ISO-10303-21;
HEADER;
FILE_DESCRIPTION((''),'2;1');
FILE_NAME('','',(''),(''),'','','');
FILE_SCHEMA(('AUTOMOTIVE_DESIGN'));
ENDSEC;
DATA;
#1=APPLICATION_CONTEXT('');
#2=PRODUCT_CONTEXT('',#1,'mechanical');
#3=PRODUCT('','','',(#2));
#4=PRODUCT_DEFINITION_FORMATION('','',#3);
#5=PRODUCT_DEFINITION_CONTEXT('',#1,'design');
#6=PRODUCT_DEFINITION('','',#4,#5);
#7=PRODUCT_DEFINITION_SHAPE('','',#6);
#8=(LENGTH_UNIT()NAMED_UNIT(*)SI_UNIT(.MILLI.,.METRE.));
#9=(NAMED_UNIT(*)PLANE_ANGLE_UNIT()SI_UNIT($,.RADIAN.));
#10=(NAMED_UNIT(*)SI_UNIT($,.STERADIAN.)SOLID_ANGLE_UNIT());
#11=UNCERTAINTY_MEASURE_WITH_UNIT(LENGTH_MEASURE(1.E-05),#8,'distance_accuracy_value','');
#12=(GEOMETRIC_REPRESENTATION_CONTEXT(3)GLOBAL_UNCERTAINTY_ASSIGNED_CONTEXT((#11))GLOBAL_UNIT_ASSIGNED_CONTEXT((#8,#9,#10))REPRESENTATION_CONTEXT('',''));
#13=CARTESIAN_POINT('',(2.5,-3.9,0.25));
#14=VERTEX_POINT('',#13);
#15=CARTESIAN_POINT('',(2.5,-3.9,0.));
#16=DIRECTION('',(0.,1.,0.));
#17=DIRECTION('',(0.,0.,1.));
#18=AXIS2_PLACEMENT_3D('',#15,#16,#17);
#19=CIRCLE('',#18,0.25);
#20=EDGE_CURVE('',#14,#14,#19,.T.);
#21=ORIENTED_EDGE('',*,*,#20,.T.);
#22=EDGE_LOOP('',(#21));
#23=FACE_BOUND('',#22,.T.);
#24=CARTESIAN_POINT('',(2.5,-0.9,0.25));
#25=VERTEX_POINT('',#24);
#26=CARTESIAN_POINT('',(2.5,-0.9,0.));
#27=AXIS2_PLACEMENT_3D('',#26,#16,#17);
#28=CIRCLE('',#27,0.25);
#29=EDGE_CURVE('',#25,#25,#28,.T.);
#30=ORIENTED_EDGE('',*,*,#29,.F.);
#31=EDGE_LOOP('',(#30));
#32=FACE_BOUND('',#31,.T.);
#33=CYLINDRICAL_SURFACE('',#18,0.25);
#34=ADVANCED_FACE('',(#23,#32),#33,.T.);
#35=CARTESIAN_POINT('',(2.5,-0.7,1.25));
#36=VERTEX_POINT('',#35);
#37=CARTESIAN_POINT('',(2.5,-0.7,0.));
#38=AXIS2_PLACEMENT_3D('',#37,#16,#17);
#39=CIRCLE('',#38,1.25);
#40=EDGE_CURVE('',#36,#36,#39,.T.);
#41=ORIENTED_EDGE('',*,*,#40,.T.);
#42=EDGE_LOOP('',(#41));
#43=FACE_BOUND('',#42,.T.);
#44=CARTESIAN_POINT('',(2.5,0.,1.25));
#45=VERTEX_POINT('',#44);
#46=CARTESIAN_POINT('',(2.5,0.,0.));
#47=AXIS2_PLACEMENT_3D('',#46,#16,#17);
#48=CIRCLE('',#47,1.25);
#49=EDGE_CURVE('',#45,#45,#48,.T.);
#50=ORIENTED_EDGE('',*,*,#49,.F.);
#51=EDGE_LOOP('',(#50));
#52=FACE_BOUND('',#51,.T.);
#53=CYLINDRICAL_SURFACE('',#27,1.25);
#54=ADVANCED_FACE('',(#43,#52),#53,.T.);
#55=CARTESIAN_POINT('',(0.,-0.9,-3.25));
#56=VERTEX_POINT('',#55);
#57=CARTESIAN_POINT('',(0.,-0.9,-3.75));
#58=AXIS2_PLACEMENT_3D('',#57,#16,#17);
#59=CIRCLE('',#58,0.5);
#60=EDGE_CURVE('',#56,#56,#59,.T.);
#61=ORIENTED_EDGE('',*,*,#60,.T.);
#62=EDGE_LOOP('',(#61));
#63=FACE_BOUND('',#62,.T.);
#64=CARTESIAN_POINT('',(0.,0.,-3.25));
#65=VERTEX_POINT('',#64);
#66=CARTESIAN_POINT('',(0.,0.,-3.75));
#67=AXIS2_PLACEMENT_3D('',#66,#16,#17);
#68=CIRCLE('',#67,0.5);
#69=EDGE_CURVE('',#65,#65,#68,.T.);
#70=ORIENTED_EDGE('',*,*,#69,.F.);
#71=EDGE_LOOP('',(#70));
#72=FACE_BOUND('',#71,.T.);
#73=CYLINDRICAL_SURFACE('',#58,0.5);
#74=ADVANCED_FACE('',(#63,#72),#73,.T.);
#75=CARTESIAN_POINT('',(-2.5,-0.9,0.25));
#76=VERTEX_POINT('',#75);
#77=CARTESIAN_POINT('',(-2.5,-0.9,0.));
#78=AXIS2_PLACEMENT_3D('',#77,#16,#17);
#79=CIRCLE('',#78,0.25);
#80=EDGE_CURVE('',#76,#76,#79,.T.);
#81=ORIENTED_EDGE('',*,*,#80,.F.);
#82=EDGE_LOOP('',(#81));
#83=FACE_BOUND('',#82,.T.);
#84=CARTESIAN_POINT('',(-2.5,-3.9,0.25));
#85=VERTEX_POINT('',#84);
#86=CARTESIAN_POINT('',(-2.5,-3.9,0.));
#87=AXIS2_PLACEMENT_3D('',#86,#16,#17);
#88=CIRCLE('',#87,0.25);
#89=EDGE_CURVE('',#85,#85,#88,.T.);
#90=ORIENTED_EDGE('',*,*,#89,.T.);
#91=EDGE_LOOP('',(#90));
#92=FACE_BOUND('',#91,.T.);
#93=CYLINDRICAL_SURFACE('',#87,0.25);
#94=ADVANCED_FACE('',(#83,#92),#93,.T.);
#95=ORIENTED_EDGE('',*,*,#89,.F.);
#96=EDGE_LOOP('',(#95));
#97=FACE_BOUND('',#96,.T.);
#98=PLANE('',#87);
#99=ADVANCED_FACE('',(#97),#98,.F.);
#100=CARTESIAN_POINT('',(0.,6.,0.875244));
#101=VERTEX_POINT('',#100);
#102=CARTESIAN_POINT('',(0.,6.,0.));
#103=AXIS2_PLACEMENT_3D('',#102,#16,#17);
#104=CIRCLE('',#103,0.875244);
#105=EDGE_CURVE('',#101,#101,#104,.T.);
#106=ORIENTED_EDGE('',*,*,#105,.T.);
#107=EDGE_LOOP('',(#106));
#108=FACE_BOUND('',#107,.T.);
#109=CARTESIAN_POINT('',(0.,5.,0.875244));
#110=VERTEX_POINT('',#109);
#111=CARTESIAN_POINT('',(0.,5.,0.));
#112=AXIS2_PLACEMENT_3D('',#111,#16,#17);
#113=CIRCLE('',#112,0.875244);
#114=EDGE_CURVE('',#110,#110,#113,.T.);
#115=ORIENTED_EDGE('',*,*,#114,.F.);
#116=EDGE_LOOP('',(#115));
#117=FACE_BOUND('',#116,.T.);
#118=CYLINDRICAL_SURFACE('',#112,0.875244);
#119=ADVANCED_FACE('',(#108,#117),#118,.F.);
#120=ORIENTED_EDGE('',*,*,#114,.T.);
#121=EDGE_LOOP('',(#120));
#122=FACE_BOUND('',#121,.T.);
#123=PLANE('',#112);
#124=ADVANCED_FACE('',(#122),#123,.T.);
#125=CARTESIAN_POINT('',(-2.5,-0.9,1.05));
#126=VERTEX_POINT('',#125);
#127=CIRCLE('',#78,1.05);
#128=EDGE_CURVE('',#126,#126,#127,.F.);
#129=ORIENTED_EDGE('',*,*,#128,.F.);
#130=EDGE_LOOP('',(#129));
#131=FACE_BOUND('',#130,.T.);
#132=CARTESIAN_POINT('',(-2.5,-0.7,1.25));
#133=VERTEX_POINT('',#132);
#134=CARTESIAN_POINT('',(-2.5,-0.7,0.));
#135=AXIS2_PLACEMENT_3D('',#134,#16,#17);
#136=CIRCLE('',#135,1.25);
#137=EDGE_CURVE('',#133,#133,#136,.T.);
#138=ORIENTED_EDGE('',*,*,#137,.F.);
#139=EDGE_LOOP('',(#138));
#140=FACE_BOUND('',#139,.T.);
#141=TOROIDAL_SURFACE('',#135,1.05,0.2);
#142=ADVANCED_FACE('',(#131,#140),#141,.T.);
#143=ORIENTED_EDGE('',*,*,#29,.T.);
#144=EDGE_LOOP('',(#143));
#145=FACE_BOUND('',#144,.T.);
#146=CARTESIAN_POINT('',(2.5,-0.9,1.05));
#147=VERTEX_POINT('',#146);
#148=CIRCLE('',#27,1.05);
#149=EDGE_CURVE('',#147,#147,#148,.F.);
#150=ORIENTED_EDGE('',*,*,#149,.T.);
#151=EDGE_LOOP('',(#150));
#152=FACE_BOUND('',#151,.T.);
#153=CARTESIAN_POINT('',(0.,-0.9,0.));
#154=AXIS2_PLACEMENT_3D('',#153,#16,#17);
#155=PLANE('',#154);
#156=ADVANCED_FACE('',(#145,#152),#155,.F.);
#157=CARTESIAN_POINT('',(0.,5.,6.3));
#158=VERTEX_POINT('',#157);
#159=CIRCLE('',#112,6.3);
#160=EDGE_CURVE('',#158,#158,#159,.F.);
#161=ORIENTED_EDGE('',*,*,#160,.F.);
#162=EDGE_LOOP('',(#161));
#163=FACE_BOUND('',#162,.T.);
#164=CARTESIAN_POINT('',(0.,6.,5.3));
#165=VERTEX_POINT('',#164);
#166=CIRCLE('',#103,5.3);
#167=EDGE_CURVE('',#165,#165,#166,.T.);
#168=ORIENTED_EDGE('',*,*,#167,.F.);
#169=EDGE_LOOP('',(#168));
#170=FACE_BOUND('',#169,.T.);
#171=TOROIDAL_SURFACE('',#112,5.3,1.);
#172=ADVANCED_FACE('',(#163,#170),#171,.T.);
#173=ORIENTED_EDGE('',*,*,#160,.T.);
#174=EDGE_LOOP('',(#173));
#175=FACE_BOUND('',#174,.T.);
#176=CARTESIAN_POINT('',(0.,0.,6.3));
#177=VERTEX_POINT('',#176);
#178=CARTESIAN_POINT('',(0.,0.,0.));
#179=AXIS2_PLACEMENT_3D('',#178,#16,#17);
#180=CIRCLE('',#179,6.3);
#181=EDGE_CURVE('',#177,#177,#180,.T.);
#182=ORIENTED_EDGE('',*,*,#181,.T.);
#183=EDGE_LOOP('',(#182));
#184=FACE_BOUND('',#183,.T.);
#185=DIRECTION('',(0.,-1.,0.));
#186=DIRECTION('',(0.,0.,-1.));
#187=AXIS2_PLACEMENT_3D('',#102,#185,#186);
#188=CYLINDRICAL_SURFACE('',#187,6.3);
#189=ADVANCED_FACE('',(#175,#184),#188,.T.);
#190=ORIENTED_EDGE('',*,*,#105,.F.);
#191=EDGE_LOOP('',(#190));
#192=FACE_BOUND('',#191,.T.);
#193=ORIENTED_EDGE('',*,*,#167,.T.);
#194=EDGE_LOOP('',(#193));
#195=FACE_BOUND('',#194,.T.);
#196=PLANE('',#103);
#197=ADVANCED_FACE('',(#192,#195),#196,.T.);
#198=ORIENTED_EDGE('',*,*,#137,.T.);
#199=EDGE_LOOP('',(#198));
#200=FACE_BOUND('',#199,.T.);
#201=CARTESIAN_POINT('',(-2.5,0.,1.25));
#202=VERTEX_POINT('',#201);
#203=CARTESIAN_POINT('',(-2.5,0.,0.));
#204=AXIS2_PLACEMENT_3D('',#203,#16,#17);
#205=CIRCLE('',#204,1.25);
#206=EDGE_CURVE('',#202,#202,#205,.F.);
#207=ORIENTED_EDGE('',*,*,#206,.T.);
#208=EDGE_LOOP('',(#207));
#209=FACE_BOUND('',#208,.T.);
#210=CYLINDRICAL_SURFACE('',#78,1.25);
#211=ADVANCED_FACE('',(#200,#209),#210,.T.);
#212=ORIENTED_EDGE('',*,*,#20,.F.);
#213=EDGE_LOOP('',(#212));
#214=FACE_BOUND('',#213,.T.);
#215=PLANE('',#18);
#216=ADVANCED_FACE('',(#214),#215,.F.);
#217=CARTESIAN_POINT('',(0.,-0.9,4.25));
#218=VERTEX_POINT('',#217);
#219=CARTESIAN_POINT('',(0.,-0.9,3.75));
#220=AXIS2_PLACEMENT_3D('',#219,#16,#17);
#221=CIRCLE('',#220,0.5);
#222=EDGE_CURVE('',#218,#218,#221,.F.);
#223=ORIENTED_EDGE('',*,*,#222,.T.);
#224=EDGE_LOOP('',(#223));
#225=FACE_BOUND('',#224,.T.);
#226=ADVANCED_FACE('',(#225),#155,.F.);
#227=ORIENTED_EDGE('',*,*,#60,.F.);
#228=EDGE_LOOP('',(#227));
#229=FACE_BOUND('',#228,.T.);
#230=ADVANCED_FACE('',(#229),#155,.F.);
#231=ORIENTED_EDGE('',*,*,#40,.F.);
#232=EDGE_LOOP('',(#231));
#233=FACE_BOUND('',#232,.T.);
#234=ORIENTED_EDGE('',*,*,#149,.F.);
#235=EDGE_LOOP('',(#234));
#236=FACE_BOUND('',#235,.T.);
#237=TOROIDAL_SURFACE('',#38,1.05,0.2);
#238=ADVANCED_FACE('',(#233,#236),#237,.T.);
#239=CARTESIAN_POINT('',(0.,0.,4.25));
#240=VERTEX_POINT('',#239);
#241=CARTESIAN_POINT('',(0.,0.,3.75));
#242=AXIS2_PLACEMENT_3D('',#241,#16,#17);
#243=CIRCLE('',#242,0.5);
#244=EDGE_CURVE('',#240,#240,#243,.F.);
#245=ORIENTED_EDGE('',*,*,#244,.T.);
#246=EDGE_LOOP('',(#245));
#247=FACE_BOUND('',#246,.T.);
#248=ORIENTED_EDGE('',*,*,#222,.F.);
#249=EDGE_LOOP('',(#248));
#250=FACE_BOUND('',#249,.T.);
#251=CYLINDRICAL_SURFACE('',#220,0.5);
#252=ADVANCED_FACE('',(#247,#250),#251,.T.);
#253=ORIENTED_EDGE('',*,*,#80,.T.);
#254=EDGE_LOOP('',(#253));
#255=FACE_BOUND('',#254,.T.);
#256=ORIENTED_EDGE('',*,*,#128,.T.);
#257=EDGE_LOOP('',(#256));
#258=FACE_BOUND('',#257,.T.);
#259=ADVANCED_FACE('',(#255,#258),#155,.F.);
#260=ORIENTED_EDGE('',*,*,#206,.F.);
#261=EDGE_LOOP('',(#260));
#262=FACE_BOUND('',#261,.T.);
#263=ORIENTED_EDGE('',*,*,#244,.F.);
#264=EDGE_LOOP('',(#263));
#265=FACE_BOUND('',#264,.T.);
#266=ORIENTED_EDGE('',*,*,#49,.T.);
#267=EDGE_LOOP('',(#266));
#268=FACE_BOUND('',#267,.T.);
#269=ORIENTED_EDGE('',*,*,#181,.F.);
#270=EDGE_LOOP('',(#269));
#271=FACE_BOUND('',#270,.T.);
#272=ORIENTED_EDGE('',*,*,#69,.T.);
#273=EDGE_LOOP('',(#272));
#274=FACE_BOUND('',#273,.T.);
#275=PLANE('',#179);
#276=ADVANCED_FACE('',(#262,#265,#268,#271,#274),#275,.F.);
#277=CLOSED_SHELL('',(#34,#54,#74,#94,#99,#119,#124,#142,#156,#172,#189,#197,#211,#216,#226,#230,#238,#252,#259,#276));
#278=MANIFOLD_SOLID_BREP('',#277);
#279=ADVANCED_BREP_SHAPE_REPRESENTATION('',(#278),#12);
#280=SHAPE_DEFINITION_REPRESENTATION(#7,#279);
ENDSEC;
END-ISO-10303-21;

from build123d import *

# Parameters (mm, degrees)
SKETCH_1_R          = 6.3
SKETCH_1_R_2        = 1.25
SKETCH_1_R_3        = 0.5
SKETCH_1_R_4        = 0.25
SKETCH_1_R_5        = 0.875244423
EXTRUDE_1_DEPTH     = 6
FILLET_1_R          = 1
CUT_EXTRUDE_START   = 6
SKETCH_1_3_R        = 0.875244423
CUT_EXTRUDE_1_DEPTH = 1
SKETCH_1_4_R        = 1.25
SKETCH_1_4_R_2      = 0.25
SKETCH_1_4_R_3      = 0.5
EXTRUDE_2_DEPTH     = 0.9
FILLET_2_R          = 0.2
EXTRUDE_START       = -0.9
SKETCH_1_5_R        = 0.25
EXTRUDE_3_DEPTH     = 3


with BuildPart() as part:
    # Эскиз1 → Бобышка-Вытянуть1 (new body)
    # profile 1 of 8: a face of its own
    with BuildSketch(Plane(origin=(0, 0, 0), x_dir=(1, 0, 0), z_dir=(0, 1, 0))):
        with Locations(Location((0, 0, 0), (0, 0, 270))):
            Circle(SKETCH_1_R)
        with Locations((-2.5, 0)):
            Circle(SKETCH_1_R_2, mode=Mode.SUBTRACT)
        with Locations((2.5, 0)):
            Circle(SKETCH_1_R_2, mode=Mode.SUBTRACT)
        with Locations((0, 3.75)):
            Circle(SKETCH_1_R_3, mode=Mode.SUBTRACT)
        with Locations((0, -3.75)):
            Circle(SKETCH_1_R_3, mode=Mode.SUBTRACT)
    # profile 2 of 8: a face of its own
    with BuildSketch(Plane(origin=(0, 0, 0), x_dir=(1, 0, 0), z_dir=(0, 1, 0))):
        with Locations((-2.5, 0)):
            Circle(SKETCH_1_R_2)
        with Locations((-2.5, 0)):
            Circle(SKETCH_1_R_4, mode=Mode.SUBTRACT)
    # profile 3 of 8: a face of its own
    with BuildSketch(Plane(origin=(0, 0, 0), x_dir=(1, 0, 0), z_dir=(0, 1, 0))):
        with Locations((-2.5, 0)):
            Circle(SKETCH_1_R_4)
    # profile 4 of 8: a face of its own
    with BuildSketch(Plane(origin=(0, 0, 0), x_dir=(1, 0, 0), z_dir=(0, 1, 0))):
        with Locations((2.5, 0)):
            Circle(SKETCH_1_R_2)
        with Locations((2.5, 0)):
            Circle(SKETCH_1_R_4, mode=Mode.SUBTRACT)
    # profile 5 of 8: a face of its own
    with BuildSketch(Plane(origin=(0, 0, 0), x_dir=(1, 0, 0), z_dir=(0, 1, 0))):
        with Locations((2.5, 0)):
            Circle(SKETCH_1_R_4)
    # profile 6 of 8: a face of its own
    with BuildSketch(Plane(origin=(0, 0, 0), x_dir=(1, 0, 0), z_dir=(0, 1, 0))):
        with Locations((0, 3.75)):
            Circle(SKETCH_1_R_3)
    # profile 7 of 8: a face of its own
    with BuildSketch(Plane(origin=(0, 0, 0), x_dir=(1, 0, 0), z_dir=(0, 1, 0))):
        with Locations((0, -3.75)):
            Circle(SKETCH_1_R_3)
    # profile 8 of 8: a face of its own
    with BuildSketch(Plane(origin=(0, 0, 0), x_dir=(1, 0, 0), z_dir=(0, 1, 0))):
        Circle(SKETCH_1_R_5)
    extrude(amount=EXTRUDE_1_DEPTH)

    # Скругление1
    fillet_1_edges = [part.edges().sort_by_distance(p)[0] for p in [
        (0, 6, -6.3),
    ]]
    fillet(fillet_1_edges, radius=FILLET_1_R)

    # Эскиз1<3> → Вырез-Вытянуть1 (cut)
    with BuildSketch(Plane(origin=(0, 0, 0), x_dir=(1, 0, 0), z_dir=(0, 1, 0)).offset(CUT_EXTRUDE_START)):
        with Locations(Location((0, 0, 0), (0, 0, 270))):
            Circle(SKETCH_1_3_R)
    extrude(amount=-CUT_EXTRUDE_1_DEPTH, mode=Mode.SUBTRACT)

    # Эскиз1<4> → Бобышка-Вытянуть2 (add)
    # profile 1 of 6: a face of its own
    with BuildSketch(Plane(origin=(0, 0, 0), x_dir=(1, 0, 0), z_dir=(0, 1, 0))):
        with Locations(Location((-2.5, 0, 0), (0, 0, 270))):
            Circle(SKETCH_1_4_R)
        with Locations((-2.5, 0)):
            Circle(SKETCH_1_4_R_2, mode=Mode.SUBTRACT)
    # profile 2 of 6: a face of its own
    with BuildSketch(Plane(origin=(0, 0, 0), x_dir=(1, 0, 0), z_dir=(0, 1, 0))):
        with Locations(Location((0, -3.75, 0), (0, 0, 270))):
            Circle(SKETCH_1_4_R_3)
    # profile 3 of 6: a face of its own
    with BuildSketch(Plane(origin=(0, 0, 0), x_dir=(1, 0, 0), z_dir=(0, 1, 0))):
        with Locations(Location((2.5, 0, 0), (0, 0, 270))):
            Circle(SKETCH_1_4_R)
        with Locations((2.5, 0)):
            Circle(SKETCH_1_4_R_2, mode=Mode.SUBTRACT)
    # profile 4 of 6: a face of its own
    with BuildSketch(Plane(origin=(0, 0, 0), x_dir=(1, 0, 0), z_dir=(0, 1, 0))):
        with Locations((2.5, 0)):
            Circle(SKETCH_1_4_R_2)
    # profile 5 of 6: a face of its own
    with BuildSketch(Plane(origin=(0, 0, 0), x_dir=(1, 0, 0), z_dir=(0, 1, 0))):
        with Locations((-2.5, 0)):
            Circle(SKETCH_1_4_R_2)
    # profile 6 of 6: a face of its own
    with BuildSketch(Plane(origin=(0, 0, 0), x_dir=(1, 0, 0), z_dir=(0, 1, 0))):
        with Locations(Location((0, 3.75, 0), (0, 0, 270))):
            Circle(SKETCH_1_4_R_3)
    extrude(amount=-EXTRUDE_2_DEPTH)

    # Скругление2
    fillet_2_edges = [part.edges().sort_by_distance(p)[0] for p in [
        (2.5, -0.9, -1.25),
        (-2.5, -0.9, -1.25),
    ]]
    fillet(fillet_2_edges, radius=FILLET_2_R)

    # Эскиз1<5> → Бобышка-Вытянуть3 (add)
    with BuildSketch(Plane(origin=(0, 0, 0), x_dir=(1, 0, 0), z_dir=(0, 1, 0)).offset(EXTRUDE_START)):
        with Locations(Location((-2.5, 0, 0), (0, 0, 270))):
            Circle(SKETCH_1_5_R)
        with Locations(Location((2.5, 0, 0), (0, 0, 270))):
            Circle(SKETCH_1_5_R)
    extrude(amount=-EXTRUDE_3_DEPTH)


solid = part.part
